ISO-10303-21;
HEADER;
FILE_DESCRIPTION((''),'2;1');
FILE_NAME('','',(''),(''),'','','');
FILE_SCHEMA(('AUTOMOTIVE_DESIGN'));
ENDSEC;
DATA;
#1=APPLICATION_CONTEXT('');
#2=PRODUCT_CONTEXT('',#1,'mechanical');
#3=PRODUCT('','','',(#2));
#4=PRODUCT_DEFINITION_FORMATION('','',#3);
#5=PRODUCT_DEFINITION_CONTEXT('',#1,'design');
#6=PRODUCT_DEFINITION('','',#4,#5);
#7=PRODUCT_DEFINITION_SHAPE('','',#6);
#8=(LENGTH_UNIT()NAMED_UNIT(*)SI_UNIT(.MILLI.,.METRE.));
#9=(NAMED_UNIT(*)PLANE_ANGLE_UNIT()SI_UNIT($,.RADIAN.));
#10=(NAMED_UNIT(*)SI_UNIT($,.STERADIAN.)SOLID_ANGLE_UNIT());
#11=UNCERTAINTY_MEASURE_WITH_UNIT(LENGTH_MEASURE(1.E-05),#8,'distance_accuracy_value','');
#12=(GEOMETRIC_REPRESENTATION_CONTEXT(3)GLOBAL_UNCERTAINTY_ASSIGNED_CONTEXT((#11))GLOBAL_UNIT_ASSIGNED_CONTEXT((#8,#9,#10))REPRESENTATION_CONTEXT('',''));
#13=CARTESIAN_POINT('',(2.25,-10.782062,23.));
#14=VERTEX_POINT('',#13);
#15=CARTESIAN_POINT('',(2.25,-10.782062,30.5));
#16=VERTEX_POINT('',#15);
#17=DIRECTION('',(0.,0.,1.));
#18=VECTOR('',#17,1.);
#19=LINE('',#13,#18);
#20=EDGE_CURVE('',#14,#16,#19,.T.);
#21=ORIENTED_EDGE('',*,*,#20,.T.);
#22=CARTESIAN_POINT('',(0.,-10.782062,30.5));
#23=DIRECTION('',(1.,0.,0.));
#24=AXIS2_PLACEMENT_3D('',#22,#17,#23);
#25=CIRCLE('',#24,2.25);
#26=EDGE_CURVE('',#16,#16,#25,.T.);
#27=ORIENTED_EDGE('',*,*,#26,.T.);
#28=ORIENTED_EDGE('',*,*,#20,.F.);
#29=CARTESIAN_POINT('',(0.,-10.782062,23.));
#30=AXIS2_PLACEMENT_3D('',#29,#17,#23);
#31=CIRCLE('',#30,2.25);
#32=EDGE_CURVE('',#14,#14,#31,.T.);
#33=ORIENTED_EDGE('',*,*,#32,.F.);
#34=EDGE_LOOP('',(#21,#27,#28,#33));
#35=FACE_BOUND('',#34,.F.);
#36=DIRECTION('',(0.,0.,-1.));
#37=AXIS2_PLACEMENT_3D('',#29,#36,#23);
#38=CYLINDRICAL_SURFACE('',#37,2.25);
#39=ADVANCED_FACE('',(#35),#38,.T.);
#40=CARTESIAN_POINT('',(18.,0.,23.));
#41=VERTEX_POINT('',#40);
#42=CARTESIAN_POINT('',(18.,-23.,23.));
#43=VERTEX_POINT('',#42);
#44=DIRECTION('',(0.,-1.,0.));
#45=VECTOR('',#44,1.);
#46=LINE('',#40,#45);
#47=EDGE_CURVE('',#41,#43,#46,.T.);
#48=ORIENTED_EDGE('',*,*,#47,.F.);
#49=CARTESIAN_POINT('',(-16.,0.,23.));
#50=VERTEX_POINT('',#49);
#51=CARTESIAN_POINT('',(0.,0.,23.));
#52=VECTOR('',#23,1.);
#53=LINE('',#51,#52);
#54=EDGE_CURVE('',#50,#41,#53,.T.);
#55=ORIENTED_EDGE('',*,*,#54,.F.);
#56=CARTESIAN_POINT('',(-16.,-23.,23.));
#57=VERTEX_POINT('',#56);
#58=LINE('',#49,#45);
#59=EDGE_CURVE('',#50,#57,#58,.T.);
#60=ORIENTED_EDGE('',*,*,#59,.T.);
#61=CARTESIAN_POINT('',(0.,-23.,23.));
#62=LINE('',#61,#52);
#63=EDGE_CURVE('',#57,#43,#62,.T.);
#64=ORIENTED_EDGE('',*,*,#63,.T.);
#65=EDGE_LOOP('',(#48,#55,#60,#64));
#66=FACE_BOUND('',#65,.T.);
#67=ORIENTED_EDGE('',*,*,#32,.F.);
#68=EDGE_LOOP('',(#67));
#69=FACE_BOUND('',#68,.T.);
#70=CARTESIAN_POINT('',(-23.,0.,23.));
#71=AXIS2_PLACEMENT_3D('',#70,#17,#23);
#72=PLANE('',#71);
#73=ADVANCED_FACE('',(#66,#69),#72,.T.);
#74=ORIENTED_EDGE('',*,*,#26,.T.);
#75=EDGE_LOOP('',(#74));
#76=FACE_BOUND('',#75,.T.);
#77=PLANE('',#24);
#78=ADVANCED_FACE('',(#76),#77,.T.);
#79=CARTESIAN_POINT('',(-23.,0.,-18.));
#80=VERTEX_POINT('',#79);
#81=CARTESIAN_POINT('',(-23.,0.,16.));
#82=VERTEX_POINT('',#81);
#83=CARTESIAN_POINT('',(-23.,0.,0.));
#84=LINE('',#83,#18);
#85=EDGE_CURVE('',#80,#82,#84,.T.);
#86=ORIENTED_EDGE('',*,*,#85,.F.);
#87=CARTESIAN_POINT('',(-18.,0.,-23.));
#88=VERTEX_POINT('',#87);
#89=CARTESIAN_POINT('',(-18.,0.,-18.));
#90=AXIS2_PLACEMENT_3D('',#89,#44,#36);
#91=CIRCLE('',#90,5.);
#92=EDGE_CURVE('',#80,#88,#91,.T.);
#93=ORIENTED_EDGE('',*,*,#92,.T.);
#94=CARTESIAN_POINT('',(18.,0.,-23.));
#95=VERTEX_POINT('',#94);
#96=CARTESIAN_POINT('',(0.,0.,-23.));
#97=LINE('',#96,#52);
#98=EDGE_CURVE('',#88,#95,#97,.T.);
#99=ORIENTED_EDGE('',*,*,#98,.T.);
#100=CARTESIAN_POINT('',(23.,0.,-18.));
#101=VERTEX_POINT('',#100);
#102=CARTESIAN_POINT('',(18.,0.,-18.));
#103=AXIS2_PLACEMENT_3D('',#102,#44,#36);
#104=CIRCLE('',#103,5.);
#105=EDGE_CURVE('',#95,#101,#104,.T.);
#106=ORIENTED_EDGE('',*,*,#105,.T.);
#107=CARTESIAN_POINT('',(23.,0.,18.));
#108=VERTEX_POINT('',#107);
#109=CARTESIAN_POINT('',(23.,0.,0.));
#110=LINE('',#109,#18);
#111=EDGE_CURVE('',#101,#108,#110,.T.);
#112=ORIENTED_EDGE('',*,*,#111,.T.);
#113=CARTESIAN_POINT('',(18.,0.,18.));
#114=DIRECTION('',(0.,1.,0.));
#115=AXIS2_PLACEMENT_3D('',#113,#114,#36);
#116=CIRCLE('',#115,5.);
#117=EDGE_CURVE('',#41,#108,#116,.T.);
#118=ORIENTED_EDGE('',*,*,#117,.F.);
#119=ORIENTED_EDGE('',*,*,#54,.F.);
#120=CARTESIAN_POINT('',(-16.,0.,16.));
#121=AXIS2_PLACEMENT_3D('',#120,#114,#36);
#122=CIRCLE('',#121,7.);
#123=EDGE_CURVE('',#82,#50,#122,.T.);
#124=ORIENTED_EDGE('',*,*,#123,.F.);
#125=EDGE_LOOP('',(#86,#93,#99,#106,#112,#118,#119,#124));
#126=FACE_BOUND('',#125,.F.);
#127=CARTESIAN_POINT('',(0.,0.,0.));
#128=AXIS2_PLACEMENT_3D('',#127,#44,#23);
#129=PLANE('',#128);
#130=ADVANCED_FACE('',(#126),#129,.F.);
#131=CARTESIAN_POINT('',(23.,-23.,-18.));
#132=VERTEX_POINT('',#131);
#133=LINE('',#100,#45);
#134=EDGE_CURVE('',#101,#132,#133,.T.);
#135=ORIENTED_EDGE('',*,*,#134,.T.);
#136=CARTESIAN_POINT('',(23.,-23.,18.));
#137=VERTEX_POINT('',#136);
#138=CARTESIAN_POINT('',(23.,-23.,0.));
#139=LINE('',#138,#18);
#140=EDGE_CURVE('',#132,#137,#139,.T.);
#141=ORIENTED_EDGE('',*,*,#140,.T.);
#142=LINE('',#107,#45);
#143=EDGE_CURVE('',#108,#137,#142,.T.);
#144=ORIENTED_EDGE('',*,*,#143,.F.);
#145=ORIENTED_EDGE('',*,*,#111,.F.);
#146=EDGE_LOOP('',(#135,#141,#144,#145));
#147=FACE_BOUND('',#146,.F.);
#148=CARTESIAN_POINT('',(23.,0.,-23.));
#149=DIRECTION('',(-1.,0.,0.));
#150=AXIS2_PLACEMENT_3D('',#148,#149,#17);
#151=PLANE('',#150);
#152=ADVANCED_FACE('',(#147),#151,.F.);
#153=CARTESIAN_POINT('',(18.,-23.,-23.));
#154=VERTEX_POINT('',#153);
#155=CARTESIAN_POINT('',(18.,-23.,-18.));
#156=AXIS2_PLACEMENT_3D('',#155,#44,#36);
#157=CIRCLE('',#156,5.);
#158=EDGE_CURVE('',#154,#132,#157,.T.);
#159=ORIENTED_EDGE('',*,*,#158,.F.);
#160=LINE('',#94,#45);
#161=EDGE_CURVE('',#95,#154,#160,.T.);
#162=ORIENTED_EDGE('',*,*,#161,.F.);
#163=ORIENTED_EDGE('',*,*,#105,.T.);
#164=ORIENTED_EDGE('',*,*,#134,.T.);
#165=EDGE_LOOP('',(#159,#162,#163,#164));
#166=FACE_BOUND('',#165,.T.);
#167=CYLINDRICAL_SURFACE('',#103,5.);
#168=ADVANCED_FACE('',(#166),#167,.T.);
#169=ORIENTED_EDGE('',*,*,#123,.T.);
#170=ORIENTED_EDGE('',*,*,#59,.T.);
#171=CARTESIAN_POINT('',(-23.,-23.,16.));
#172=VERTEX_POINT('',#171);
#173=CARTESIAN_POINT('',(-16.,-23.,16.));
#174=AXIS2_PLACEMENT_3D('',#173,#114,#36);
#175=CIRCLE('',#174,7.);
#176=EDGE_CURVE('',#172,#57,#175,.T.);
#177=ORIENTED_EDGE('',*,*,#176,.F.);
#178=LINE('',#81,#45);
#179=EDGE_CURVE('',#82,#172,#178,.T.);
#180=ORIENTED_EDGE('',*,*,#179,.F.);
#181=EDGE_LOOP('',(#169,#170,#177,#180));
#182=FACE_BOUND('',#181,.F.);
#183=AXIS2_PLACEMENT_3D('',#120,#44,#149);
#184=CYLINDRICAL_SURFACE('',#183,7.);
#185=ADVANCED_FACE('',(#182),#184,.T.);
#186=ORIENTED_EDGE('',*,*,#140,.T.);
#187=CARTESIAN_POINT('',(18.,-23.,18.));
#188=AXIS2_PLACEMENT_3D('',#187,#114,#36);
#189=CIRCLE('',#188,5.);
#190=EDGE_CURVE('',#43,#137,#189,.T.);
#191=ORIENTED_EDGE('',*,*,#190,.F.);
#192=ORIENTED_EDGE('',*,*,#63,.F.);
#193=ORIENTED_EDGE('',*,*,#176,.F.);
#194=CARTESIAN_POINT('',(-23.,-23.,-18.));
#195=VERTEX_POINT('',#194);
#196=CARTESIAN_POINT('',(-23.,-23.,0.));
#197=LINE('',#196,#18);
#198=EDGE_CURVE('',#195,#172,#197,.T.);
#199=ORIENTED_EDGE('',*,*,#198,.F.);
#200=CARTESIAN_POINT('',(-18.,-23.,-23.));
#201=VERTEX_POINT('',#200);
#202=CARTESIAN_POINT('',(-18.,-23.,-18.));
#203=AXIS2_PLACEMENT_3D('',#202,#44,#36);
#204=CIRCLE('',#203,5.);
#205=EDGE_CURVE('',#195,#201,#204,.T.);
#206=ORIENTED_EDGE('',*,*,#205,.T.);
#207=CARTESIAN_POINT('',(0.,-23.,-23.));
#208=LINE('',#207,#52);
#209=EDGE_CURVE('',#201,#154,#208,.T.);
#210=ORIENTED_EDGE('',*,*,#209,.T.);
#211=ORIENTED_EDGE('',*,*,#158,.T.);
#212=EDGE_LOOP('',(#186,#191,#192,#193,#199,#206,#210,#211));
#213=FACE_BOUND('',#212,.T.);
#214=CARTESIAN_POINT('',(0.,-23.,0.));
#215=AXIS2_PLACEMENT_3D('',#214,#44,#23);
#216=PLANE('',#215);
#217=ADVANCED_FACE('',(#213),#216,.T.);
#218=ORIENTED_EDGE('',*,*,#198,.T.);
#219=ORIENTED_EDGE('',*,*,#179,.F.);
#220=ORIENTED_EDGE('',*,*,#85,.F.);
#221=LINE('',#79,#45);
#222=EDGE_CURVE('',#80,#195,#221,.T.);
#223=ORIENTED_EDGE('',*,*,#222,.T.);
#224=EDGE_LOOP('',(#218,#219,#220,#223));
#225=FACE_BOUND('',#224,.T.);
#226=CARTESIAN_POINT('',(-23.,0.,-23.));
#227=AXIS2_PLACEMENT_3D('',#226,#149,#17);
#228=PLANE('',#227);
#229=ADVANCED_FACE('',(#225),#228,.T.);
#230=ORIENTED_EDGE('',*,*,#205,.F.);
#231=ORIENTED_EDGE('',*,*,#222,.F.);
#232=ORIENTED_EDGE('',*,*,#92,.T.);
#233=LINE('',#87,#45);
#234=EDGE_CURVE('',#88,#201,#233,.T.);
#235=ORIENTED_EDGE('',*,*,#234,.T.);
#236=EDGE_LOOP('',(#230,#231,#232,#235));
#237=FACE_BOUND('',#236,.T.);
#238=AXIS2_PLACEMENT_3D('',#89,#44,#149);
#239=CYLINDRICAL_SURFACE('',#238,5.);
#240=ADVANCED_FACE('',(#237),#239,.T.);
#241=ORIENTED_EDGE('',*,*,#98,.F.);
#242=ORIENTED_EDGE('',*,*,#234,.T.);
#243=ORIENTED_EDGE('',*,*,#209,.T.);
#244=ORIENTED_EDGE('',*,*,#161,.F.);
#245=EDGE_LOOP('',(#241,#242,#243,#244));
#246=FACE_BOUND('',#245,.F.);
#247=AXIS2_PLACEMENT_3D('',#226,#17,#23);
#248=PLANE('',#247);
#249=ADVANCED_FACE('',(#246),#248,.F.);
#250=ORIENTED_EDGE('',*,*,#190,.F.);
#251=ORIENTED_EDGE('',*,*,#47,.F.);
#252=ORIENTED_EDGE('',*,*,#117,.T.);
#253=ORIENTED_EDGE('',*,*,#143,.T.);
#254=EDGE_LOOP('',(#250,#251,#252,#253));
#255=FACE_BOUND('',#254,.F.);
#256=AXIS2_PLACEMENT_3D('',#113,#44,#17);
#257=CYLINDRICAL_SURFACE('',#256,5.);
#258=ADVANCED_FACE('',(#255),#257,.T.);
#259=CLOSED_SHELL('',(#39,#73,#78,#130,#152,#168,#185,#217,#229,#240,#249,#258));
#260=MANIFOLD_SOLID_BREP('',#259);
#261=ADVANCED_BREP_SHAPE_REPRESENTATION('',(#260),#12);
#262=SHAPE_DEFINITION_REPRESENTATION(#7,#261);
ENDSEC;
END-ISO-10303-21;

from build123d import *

# Parameters (mm, degrees)
F0_W     = 46
F0_H     = 46
F1_DEPTH = 23
F2_R     = 7
F3_R     = 5
F4_R     = 2.25
F5_DEPTH = 7.5


with BuildPart() as f1:
    # F0 (on Front) → F1 (new body)
    with BuildSketch(Plane.XZ):
        Rectangle(F0_W, F0_H)
    extrude(amount=F1_DEPTH)

    # F2
    f2_edges = [f1.edges().sort_by_distance(p)[0] for p in [
        (-23, -11.5, 23),
    ]]
    fillet(f2_edges, radius=F2_R)

    # F3
    f3_edges = [f1.edges().sort_by_distance(p)[0] for p in [
        (23, -11.5, 23),
        (23, -11.5, -23),
        (-23, -11.5, -23),
    ]]
    fillet(f3_edges, radius=F3_R)

    # F4 (on face) → F5 (join)
    with BuildSketch(Plane.XY.offset(23)):
        with Locations((0, -10.782062)):
            Circle(F4_R)
    extrude(amount=F5_DEPTH)


solid = f1.part
